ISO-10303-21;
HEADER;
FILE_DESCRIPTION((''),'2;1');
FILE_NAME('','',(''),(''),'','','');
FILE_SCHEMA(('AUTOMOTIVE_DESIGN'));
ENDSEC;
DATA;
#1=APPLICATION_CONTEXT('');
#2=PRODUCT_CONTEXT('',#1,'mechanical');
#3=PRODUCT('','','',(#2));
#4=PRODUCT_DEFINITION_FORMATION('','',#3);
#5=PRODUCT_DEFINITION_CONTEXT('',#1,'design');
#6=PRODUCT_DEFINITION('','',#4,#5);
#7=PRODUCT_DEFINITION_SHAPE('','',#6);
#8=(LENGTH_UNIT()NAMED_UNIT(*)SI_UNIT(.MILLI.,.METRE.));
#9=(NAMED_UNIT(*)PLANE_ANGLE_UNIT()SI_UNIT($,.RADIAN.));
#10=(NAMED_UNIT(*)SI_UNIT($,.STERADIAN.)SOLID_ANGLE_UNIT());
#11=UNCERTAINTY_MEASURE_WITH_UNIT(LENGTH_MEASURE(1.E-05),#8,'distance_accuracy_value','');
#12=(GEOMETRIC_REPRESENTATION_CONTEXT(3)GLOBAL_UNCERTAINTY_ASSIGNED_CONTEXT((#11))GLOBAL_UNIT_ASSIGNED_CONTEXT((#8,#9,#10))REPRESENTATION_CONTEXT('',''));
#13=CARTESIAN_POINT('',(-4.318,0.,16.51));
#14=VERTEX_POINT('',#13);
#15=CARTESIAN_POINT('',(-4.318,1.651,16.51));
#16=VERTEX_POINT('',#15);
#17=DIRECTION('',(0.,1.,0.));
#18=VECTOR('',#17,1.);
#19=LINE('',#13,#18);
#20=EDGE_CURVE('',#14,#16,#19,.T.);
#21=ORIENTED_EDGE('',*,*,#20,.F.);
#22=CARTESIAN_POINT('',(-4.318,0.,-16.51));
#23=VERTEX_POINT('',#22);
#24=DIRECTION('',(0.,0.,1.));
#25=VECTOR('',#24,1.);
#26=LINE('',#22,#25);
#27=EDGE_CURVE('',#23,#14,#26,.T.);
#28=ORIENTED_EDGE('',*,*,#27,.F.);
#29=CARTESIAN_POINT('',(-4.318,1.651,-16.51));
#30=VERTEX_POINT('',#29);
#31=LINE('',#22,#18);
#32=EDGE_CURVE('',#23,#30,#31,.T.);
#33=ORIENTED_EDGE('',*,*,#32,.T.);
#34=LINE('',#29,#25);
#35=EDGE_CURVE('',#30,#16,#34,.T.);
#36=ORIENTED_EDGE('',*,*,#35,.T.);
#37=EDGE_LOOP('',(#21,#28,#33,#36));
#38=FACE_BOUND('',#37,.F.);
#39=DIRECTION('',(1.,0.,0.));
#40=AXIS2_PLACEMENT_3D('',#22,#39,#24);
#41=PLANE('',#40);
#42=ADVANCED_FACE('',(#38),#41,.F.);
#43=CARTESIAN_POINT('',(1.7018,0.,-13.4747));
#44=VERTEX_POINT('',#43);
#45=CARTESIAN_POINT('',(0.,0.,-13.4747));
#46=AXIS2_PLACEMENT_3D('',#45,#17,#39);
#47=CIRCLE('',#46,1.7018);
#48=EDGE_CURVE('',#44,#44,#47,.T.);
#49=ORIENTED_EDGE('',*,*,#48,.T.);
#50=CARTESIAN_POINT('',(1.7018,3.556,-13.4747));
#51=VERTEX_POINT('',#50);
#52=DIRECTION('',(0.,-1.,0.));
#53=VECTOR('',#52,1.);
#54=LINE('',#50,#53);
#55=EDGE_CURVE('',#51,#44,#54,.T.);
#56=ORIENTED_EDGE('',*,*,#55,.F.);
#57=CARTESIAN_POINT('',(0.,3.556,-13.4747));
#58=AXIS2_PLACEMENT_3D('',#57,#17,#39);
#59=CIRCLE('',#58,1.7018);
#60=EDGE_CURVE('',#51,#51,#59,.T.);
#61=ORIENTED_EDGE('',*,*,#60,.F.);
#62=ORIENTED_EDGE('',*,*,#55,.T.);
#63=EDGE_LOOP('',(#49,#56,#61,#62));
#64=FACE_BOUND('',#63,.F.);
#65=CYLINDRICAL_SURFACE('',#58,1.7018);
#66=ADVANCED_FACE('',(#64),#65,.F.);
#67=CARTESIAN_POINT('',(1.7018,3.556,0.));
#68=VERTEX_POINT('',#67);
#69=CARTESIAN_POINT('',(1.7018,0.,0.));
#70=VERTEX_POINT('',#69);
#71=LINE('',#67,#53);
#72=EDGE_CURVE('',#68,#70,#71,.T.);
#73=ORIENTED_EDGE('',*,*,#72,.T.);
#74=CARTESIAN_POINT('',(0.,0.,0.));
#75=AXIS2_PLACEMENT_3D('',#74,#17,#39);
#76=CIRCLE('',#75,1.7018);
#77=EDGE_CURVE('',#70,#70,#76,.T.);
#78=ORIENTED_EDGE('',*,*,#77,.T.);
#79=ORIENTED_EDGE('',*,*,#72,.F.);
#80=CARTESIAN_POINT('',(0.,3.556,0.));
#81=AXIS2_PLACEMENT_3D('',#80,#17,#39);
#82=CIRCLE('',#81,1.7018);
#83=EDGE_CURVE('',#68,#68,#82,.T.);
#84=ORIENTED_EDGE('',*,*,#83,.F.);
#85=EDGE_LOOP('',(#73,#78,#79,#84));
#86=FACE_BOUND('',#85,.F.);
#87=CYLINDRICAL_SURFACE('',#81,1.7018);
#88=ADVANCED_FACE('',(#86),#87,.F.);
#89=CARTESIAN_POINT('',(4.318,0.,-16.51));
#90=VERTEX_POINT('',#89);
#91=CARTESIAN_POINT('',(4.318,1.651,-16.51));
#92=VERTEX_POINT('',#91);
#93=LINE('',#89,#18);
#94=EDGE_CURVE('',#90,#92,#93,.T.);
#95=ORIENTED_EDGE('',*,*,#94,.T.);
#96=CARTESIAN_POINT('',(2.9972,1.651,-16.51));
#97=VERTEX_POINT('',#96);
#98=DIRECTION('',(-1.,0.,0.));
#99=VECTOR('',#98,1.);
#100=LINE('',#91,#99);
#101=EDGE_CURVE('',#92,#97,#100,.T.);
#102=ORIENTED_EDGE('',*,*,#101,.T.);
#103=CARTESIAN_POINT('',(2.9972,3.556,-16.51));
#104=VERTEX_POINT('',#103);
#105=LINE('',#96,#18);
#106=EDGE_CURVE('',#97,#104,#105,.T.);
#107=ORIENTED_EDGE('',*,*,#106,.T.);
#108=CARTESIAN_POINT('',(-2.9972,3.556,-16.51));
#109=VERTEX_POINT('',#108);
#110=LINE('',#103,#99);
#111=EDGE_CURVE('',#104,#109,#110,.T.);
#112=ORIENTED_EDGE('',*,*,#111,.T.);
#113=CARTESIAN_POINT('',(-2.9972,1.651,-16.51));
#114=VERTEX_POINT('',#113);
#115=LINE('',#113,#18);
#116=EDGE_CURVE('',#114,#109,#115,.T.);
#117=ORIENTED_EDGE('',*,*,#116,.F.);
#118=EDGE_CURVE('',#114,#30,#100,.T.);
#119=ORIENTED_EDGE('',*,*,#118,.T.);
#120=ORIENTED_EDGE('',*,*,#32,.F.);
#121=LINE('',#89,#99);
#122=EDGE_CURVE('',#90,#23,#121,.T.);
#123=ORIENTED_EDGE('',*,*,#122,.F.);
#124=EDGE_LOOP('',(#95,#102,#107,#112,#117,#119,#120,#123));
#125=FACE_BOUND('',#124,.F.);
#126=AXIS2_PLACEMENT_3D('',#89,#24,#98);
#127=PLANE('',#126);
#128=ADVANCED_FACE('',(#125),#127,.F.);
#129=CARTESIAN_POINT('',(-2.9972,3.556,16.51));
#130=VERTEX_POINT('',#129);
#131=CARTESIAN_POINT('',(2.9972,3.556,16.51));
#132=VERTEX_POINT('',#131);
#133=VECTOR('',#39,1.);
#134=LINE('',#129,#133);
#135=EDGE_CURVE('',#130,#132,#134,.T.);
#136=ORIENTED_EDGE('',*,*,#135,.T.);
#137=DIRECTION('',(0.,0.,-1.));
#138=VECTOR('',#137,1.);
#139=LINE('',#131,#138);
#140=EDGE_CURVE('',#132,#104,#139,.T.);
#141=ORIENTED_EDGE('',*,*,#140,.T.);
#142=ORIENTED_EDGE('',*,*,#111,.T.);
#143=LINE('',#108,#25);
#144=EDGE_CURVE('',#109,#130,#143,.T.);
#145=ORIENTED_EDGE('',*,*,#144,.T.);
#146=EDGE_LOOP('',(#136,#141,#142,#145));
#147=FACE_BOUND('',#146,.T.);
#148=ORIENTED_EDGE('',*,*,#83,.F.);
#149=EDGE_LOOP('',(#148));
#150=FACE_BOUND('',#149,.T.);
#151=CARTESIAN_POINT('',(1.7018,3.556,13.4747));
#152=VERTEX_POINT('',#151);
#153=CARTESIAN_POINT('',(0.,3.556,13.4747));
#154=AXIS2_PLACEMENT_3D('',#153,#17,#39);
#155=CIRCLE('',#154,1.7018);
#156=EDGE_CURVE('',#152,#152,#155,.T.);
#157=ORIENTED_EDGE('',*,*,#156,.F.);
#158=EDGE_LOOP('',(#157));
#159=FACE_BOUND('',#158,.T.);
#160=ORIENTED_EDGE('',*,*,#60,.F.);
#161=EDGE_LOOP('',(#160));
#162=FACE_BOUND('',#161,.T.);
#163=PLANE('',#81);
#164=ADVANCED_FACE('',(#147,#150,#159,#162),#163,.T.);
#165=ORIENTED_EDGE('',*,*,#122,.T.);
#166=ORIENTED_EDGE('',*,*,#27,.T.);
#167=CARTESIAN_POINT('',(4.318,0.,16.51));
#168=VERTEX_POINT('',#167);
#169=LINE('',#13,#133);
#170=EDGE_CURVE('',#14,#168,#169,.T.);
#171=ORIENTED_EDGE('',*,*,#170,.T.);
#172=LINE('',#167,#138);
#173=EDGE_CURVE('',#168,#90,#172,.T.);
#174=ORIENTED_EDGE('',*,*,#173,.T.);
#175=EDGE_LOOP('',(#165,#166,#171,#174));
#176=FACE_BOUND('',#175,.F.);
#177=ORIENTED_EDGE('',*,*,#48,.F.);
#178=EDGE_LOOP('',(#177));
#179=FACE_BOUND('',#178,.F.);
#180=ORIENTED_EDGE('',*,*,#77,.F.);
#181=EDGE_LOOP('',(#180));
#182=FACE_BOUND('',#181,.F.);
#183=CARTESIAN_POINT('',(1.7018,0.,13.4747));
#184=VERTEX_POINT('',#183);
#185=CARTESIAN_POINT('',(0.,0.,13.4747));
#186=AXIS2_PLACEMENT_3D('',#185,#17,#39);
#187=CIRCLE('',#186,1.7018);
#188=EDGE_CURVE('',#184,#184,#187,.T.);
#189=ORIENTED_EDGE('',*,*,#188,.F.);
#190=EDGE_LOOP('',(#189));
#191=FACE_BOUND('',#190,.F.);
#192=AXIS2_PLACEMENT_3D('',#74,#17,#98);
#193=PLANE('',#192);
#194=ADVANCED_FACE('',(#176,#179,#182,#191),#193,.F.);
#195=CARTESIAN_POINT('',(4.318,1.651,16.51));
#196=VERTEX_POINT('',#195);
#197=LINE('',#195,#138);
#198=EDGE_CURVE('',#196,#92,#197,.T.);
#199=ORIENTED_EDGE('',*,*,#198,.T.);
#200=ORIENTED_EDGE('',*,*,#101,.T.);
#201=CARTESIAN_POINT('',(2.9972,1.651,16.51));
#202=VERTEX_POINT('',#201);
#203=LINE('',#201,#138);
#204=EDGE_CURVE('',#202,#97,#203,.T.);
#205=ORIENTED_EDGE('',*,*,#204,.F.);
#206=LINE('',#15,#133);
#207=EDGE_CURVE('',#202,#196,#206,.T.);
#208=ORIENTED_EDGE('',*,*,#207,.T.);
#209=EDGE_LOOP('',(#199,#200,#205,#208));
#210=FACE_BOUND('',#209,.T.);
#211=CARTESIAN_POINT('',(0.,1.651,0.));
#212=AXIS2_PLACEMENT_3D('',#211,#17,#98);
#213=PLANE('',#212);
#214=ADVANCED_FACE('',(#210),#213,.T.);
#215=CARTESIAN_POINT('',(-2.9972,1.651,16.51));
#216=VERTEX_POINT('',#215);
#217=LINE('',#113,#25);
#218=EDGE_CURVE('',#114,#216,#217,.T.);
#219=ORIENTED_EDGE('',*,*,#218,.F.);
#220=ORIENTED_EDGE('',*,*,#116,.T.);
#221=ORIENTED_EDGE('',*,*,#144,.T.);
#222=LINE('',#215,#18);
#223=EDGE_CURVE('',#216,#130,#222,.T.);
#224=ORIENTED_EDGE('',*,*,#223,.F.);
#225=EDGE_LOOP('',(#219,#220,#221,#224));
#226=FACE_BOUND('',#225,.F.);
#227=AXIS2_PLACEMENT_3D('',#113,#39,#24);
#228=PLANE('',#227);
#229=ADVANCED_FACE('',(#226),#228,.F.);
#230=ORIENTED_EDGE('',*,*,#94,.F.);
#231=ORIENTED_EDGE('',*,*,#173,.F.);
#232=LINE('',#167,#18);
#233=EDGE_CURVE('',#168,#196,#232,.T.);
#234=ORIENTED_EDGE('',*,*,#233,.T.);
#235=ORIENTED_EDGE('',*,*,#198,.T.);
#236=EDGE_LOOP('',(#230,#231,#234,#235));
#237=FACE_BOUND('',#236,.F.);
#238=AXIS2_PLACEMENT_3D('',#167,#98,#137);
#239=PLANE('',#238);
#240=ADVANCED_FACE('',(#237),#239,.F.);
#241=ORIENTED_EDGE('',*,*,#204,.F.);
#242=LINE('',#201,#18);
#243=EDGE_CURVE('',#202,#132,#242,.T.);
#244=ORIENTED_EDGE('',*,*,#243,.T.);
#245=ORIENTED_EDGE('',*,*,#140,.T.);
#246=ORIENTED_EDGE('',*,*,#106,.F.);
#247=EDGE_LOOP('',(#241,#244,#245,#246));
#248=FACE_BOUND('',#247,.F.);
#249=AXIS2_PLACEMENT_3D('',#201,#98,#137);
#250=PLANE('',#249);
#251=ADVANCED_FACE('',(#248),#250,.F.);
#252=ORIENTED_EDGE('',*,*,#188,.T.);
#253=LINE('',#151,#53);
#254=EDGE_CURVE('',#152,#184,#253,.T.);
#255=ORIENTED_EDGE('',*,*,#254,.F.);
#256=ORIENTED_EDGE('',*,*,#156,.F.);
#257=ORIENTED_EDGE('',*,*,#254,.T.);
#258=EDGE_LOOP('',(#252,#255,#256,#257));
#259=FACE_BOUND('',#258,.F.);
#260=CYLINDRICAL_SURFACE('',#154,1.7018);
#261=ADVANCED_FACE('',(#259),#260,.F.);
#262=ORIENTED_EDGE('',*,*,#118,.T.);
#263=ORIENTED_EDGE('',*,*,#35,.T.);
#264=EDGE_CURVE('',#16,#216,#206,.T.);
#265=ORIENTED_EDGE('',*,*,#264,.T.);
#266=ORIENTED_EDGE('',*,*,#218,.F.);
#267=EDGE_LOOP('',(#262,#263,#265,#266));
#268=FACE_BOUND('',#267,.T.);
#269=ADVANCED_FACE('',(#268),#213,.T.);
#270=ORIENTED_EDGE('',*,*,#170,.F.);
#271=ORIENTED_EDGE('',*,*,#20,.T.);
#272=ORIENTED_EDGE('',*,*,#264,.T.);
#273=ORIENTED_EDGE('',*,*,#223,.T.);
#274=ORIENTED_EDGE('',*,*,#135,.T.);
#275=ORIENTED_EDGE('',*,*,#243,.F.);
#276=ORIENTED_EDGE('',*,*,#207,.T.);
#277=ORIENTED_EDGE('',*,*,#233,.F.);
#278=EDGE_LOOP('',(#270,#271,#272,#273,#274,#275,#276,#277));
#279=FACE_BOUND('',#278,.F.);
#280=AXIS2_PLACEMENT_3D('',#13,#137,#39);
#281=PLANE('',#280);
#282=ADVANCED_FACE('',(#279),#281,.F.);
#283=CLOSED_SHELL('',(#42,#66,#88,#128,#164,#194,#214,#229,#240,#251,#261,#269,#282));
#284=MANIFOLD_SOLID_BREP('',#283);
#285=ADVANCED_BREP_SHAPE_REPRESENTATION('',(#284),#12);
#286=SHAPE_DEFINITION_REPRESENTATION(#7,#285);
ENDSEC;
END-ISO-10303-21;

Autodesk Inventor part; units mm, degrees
ref_plane "XZ Plane" through (0, 0, 0) normal (0, 1, 0) x (-1, 0, 0)
ref_plane "XY Plane" through (0, 0, 0) normal (0, 0, 1) x (1, 0, 0)
sketch "Sketch1" plane through (0, 0, 0) normal (0, 1, 0) x (-1, 0, 0)
  line L0 (4.318, 16.51) -> (-4.318, 16.51)
  line L1 (-4.318, 16.51) -> (-4.318, -16.51)
  line L2 (-4.318, -16.51) -> (4.318, -16.51)
  line L3 (4.318, -16.51) -> (4.318, 16.51)
  line L4 (4.318, 16.51) -> (-4.318, -16.51) construction
  line L5 (-4.318, 16.51) -> (4.318, -16.51) construction
  point P0 (0, 0)
  dimension "d0" = 8.636
  dimension "d1" = 33.02
extrude "Base" add sketch "Sketch1" along normal blind 1.651
sketch "Sketch2" plane through (0, 1.651, 0) normal (0, 1, 0) x (1, 0, 0)
  line L0 (-2.9972, -16.51) -> (2.9972, -16.51)
  line L1 (2.9972, -16.51) -> (2.9972, 16.51)
  line L2 (2.9972, 16.51) -> (-2.9972, 16.51)
  line L3 (-2.9972, 16.51) -> (-2.9972, -16.51)
  line L4 (-2.9972, -16.51) -> (2.9972, 16.51) construction
  line L5 (2.9972, -16.51) -> (-2.9972, 16.51) construction
  point P0 (0, 0)
  dimension "d4" = 5.9944
  dimension "d5" = 33.02
extrude "Step" add sketch "Sketch2" along normal blind 1.905
sketch "Sketch3" plane through (0, 3.556, 0) normal (0, 1, 0) x (1, 0, 0)
  circle A0 centre (0, 0) radius 1.7018
  circle A1 centre (0, -13.4747) radius 1.7018
  circle A2 centre (0, 13.4747) radius 1.7018
  dimension "d8" = 3.4036
  dimension "d9" = 3.4036
  dimension "d10" = 3.4036
  dimension "d11" = 13.4747
  dimension "d12" = 13.4747
extrude "Holes" cut sketch "Sketch3" against normal through all
equation "\"d11\" = d12"
properties part number "585757_plastic_1061_holes"
